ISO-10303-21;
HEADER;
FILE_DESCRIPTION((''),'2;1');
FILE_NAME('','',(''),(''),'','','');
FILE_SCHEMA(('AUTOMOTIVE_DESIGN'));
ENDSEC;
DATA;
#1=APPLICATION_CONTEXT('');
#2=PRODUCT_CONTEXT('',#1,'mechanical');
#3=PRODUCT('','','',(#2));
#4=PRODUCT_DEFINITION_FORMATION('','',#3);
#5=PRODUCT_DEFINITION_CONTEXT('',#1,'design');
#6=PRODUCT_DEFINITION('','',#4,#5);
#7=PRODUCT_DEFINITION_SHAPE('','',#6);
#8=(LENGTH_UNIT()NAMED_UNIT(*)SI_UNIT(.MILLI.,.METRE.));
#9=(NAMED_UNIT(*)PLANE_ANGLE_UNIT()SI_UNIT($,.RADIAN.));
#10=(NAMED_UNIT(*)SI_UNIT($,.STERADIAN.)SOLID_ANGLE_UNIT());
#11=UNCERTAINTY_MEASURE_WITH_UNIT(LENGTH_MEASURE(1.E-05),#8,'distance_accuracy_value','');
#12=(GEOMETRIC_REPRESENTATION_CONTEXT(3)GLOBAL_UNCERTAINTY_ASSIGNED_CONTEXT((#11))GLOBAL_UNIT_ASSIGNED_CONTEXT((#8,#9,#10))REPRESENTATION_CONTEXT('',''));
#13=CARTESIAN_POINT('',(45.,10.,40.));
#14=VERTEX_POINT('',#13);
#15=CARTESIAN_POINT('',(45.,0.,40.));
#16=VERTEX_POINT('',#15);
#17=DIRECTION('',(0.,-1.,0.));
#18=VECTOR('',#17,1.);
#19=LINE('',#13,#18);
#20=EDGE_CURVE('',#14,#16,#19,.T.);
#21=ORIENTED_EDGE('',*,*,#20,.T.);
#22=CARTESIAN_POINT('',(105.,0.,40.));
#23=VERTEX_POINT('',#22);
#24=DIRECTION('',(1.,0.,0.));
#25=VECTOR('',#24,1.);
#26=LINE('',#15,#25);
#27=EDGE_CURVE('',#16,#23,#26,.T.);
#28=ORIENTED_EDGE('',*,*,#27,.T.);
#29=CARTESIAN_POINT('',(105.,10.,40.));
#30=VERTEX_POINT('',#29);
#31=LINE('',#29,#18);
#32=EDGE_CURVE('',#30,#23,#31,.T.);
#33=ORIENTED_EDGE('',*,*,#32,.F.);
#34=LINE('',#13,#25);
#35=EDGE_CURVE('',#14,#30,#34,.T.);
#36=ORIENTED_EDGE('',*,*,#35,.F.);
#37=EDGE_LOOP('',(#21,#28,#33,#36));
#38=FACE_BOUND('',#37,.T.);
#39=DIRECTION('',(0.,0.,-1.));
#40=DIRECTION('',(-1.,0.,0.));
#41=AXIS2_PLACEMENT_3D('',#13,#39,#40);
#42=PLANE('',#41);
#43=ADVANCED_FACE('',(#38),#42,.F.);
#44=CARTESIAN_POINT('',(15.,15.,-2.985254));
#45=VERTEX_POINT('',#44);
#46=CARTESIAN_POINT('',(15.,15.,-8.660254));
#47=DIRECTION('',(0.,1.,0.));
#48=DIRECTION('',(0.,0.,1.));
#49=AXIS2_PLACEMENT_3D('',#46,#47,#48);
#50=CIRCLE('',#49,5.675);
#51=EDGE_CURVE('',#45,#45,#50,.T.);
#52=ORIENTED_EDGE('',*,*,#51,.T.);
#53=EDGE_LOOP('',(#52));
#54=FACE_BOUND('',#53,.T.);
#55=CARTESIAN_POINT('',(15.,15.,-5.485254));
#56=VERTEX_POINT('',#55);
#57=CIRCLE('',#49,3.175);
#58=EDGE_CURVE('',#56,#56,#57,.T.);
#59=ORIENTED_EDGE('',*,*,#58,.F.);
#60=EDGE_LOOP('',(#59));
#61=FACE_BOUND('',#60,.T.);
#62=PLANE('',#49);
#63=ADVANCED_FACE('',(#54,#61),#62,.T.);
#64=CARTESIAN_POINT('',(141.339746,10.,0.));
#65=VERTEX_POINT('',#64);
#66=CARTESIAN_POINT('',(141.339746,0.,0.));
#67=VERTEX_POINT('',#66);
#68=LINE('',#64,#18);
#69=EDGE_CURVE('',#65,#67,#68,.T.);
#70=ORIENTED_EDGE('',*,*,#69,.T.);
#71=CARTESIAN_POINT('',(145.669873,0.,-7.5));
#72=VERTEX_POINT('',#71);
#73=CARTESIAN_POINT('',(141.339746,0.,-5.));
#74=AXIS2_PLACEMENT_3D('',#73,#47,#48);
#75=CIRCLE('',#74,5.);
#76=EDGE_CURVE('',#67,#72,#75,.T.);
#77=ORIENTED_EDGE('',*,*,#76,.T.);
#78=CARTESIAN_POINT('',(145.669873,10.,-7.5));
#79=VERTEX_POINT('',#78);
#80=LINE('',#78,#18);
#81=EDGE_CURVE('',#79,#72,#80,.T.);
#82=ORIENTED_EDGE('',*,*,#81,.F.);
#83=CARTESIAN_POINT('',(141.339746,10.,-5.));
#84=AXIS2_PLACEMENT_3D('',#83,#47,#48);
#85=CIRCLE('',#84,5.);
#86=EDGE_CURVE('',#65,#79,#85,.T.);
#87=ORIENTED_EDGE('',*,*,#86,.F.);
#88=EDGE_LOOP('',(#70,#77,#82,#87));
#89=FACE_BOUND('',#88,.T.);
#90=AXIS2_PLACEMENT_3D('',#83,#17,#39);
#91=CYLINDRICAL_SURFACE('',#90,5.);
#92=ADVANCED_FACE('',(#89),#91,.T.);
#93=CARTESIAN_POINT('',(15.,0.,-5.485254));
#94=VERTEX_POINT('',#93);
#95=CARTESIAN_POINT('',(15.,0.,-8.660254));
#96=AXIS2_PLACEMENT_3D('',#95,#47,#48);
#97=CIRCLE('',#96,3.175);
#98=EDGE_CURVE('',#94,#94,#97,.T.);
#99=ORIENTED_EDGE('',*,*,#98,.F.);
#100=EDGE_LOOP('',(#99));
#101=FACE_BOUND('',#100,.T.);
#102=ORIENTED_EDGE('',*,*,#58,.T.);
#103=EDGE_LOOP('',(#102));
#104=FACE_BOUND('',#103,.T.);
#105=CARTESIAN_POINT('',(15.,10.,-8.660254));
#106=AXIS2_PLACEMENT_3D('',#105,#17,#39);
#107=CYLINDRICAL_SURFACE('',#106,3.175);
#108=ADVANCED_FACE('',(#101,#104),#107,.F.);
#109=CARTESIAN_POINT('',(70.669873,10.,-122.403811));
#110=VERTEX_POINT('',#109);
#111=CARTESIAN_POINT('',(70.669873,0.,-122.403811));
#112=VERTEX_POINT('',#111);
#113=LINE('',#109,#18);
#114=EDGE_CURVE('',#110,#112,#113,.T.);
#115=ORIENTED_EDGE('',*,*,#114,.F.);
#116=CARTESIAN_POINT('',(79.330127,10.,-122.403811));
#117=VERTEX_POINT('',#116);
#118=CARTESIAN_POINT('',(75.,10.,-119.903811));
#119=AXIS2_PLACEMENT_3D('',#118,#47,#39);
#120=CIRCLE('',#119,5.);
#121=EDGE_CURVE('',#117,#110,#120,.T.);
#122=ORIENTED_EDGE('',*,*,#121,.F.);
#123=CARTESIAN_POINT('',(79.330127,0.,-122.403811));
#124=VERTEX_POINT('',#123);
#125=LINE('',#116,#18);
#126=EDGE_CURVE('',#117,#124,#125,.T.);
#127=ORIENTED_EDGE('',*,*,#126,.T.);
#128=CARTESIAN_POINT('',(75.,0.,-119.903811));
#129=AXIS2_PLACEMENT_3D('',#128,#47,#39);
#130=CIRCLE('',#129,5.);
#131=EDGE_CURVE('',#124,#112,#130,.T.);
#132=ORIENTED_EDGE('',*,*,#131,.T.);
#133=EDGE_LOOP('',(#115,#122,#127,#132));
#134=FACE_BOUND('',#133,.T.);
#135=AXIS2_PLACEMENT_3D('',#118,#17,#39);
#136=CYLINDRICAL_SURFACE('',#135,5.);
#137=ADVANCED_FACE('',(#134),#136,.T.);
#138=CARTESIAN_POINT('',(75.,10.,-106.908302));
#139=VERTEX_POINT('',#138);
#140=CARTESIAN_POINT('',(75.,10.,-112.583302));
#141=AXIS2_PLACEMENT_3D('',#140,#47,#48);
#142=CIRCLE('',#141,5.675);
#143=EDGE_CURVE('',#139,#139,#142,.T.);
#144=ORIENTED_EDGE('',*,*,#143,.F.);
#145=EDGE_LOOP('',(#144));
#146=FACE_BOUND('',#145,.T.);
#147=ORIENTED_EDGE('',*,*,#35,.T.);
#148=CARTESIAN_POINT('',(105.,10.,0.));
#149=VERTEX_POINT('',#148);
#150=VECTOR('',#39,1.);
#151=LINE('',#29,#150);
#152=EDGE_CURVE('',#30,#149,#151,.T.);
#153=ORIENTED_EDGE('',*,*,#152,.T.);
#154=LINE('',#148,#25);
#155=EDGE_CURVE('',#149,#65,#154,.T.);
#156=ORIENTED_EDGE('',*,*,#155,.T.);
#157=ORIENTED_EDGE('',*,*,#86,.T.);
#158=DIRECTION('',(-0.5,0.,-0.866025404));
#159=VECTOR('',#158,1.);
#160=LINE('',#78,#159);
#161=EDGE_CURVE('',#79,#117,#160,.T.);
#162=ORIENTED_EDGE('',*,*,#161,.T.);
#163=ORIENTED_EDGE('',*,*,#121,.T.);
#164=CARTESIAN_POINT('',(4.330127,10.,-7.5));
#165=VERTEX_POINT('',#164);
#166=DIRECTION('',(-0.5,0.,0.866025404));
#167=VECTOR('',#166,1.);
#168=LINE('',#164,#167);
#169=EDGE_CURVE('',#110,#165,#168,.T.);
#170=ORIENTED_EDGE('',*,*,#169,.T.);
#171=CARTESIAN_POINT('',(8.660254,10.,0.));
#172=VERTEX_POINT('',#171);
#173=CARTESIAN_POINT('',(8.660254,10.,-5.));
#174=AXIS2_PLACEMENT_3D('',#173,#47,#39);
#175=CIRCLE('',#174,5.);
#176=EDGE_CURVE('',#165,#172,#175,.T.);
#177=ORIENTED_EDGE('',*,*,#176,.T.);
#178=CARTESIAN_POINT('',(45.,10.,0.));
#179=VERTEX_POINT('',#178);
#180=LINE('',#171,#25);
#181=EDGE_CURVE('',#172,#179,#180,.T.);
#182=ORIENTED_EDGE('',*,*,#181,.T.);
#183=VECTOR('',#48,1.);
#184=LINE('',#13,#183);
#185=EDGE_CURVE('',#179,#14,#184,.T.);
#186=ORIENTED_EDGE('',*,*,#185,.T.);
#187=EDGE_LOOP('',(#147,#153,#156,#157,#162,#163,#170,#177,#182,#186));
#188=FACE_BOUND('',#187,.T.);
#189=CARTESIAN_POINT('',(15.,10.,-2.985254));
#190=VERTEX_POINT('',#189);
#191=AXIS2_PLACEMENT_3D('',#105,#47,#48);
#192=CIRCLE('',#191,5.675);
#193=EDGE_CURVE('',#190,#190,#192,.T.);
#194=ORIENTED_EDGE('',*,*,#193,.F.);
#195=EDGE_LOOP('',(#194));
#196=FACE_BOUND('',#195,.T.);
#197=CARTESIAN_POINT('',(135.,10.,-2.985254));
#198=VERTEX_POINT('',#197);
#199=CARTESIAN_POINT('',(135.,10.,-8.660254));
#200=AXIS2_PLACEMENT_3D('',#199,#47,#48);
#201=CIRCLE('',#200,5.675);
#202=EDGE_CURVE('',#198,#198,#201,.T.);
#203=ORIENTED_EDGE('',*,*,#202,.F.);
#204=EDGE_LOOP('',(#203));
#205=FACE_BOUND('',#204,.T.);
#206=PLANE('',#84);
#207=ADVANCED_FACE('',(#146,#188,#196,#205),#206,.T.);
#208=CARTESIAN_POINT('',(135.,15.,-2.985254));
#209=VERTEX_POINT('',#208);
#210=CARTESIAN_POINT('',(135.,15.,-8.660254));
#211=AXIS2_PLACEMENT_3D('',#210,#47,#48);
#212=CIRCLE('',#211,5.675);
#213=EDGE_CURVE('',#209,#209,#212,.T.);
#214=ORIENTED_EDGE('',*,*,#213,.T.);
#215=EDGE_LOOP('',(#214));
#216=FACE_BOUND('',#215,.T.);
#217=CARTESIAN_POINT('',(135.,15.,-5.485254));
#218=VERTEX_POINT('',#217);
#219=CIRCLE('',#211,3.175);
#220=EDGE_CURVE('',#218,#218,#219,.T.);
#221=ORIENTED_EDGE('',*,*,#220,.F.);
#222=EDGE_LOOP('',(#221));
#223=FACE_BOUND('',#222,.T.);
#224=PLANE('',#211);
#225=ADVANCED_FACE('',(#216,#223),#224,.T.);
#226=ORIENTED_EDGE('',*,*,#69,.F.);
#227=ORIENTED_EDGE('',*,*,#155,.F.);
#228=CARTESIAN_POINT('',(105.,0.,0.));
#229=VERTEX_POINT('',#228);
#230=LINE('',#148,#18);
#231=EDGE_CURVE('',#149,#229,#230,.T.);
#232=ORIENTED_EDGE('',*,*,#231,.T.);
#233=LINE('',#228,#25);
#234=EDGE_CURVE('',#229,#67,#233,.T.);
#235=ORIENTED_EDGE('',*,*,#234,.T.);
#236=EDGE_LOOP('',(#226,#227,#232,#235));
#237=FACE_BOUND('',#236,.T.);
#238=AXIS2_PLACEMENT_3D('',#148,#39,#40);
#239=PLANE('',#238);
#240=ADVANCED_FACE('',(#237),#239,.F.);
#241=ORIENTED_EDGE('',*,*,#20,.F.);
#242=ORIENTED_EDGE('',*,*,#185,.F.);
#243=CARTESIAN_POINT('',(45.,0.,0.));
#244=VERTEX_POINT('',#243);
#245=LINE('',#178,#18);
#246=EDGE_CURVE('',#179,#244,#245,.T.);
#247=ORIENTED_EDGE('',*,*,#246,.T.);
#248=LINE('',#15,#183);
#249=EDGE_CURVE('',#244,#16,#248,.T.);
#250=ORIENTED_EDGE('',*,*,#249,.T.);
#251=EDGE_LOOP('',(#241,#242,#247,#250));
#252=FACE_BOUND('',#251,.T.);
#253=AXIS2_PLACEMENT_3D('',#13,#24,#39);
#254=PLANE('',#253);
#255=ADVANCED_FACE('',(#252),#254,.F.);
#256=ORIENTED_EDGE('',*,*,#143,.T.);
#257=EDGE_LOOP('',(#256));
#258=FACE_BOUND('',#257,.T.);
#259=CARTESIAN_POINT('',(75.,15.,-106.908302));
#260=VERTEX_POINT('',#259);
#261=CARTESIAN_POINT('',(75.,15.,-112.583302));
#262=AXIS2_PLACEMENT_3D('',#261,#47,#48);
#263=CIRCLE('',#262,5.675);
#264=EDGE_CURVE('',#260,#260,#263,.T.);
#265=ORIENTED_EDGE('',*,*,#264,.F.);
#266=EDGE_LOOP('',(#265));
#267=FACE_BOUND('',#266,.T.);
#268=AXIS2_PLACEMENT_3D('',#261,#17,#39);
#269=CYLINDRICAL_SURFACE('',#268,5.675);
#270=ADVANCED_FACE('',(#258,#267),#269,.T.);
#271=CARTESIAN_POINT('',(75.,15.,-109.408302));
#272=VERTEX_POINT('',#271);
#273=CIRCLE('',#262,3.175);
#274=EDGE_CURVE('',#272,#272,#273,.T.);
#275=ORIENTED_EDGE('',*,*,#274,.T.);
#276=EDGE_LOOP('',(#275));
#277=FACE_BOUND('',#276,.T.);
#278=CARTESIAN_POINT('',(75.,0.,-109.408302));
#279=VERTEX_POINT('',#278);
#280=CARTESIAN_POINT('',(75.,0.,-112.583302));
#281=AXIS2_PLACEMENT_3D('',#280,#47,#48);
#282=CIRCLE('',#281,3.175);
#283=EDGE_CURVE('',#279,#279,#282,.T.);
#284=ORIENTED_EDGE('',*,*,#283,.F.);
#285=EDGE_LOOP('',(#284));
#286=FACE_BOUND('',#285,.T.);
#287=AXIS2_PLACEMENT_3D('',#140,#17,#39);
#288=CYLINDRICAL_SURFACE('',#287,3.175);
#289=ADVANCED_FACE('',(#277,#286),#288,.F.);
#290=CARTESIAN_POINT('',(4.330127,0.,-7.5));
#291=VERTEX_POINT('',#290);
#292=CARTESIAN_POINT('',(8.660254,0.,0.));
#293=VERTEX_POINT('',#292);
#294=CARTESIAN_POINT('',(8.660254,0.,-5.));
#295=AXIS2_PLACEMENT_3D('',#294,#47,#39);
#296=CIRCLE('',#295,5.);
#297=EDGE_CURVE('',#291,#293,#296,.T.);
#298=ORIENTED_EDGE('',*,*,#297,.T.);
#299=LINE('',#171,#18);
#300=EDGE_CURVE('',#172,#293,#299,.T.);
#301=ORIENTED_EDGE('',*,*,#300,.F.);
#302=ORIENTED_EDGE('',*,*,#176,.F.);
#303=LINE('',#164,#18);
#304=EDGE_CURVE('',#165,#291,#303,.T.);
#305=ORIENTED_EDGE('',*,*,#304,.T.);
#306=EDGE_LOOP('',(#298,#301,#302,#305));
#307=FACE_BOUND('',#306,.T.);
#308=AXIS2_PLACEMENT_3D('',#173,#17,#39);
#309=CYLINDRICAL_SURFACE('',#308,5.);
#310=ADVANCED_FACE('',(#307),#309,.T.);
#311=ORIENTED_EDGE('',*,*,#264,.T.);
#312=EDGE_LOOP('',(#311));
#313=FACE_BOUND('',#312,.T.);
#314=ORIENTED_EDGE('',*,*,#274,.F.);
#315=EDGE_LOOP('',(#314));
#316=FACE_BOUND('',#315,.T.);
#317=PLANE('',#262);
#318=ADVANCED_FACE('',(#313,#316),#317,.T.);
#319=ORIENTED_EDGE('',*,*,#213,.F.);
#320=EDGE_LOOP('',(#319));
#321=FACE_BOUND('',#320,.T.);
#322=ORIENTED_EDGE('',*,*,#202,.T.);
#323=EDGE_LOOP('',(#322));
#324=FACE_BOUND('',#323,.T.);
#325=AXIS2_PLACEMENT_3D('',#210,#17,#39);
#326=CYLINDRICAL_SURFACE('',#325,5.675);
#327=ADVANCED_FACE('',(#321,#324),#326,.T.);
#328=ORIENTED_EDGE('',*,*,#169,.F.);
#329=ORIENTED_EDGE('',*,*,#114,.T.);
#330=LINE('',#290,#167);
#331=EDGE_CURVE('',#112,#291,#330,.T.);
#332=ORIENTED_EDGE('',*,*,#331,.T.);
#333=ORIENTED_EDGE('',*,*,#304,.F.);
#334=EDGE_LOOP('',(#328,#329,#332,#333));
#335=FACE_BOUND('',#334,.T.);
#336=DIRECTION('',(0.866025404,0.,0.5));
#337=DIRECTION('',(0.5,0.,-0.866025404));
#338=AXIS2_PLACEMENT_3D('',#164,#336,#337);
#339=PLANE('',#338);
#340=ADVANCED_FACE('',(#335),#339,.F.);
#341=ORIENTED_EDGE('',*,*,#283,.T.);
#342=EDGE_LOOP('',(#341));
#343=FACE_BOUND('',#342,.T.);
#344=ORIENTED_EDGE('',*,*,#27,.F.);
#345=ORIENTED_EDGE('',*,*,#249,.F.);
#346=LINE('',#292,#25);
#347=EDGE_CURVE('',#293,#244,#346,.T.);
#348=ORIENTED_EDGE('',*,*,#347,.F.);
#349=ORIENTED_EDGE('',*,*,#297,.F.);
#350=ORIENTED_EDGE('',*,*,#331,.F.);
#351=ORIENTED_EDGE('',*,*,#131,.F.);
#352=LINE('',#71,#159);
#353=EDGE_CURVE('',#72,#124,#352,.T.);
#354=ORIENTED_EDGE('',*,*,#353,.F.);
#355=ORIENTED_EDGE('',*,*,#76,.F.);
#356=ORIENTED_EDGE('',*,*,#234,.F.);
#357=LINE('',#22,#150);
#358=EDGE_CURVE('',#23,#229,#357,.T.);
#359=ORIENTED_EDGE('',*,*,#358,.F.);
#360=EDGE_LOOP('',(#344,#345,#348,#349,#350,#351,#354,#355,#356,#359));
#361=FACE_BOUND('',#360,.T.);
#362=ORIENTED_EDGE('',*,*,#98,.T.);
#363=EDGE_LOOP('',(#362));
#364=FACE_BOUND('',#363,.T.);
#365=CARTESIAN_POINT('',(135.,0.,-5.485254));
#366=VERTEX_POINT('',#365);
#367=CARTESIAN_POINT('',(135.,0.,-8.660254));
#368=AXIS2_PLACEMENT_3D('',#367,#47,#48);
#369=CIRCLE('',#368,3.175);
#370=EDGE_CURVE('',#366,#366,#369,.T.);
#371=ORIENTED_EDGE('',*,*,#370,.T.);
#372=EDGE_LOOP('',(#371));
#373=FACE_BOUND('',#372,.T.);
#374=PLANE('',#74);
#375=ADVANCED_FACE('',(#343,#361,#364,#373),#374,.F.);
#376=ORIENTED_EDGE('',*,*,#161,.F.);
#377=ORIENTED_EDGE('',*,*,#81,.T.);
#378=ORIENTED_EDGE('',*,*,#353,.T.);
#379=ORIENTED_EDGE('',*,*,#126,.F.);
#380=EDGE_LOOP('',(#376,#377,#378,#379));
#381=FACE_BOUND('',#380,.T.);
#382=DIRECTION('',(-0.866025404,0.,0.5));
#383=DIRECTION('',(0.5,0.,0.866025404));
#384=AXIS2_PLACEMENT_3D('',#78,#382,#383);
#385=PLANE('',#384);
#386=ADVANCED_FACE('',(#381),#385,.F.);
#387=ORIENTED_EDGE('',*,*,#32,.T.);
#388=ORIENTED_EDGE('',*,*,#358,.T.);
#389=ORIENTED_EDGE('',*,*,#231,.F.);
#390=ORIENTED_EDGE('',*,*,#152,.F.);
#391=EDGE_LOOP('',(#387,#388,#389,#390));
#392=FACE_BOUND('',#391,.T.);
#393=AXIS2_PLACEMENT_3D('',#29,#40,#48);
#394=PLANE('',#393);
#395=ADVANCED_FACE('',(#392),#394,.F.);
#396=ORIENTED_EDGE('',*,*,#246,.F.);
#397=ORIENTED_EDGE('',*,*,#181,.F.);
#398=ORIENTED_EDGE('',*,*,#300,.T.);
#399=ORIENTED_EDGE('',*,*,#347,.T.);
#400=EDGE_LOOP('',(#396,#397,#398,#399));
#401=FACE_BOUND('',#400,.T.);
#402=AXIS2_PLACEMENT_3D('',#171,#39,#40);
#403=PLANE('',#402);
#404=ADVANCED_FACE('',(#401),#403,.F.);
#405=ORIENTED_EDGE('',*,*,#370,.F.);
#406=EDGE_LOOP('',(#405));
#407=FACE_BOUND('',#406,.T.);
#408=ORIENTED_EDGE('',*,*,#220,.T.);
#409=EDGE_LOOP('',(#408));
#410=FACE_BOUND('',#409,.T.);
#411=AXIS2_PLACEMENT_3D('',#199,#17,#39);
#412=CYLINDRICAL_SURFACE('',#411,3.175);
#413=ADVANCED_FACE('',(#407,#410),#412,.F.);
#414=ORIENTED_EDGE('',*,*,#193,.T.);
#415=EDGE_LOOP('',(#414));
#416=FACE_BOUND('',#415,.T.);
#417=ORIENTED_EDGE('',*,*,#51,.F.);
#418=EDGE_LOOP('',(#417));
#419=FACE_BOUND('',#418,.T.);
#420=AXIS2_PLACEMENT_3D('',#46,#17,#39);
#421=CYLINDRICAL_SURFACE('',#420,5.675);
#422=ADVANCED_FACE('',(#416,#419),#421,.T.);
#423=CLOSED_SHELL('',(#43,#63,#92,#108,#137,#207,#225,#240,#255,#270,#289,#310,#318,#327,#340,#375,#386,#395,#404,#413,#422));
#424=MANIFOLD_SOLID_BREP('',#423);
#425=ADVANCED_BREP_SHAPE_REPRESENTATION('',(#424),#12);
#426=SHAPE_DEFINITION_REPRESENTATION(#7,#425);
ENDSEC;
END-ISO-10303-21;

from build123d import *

# Parameters (mm, degrees)
SKETCH1_R           = 3.175
BOSS_EXTRUDE5_DEPTH = 10
SKETCH7_R           = 5.675
SKETCH7_R_2         = 3.175
BOSS_EXTRUDE7_DEPTH = 5


with BuildPart() as part:
    # Sketch1 → Boss-Extrude5 (new body)
    with BuildSketch(Plane(origin=(0, 0, 0), x_dir=(1, 0, 0), z_dir=(0, 1, 0))):
        with BuildLine():
            Line((4.330127019, 7.5), (70.669872981, 122.403810568))
            ThreePointArc((70.669872981, 122.403810568), (75, 124.903810568), (79.330127019, 122.403810568))
            Line((79.330127019, 122.403810568), (145.669872981, 7.5))
            ThreePointArc((145.669872981, 7.5), (145.669873, 2.500000033), (141.339746038, 0))
            Line((141.339746038, 0), (105.000000038, 0))
            Line((105.000000038, 0), (105.000000038, -40))
            Line((105.000000038, -40), (45.000000038, -40))
            Line((45.000000038, -40), (45.000000038, 0))
            Line((45.000000038, 0), (8.660254038, 0))
            ThreePointArc((8.660254038, 0), (4.330127019, 2.5), (4.330127019, 7.5))
        make_face()
        with Locations(Location((75, 112.583302492, 0), (0, 0, 270))):
            Circle(SKETCH1_R, mode=Mode.SUBTRACT)
        with Locations(Location((15, 8.660254038, 0), (0, 0, 270))):
            Circle(SKETCH1_R, mode=Mode.SUBTRACT)
        with Locations(Location((135, 8.660254038, 0), (0, 0, 270))):
            Circle(SKETCH1_R, mode=Mode.SUBTRACT)
    extrude(amount=BOSS_EXTRUDE5_DEPTH)

    # Sketch7 → Boss-Extrude7 (add)
    # profile 1 of 3: a face of its own
    with BuildSketch(Plane(origin=(0, 10, 0), x_dir=(1, 0, 0), z_dir=(0, 1, 0))):
        with Locations(Location((15, 8.660254038, 0), (0, 0, 270))):
            Circle(SKETCH7_R)
        with Locations(Location((15, 8.660254038, 0), (0, 0, 270))):
            Circle(SKETCH7_R_2, mode=Mode.SUBTRACT)
    # profile 2 of 3: a face of its own
    with BuildSketch(Plane(origin=(0, 10, 0), x_dir=(1, 0, 0), z_dir=(0, 1, 0))):
        with Locations(Location((135, 8.660254038, 0), (0, 0, 270))):
            Circle(SKETCH7_R)
        with Locations(Location((135, 8.660254038, 0), (0, 0, 270))):
            Circle(SKETCH7_R_2, mode=Mode.SUBTRACT)
    # profile 3 of 3: a face of its own
    with BuildSketch(Plane(origin=(0, 10, 0), x_dir=(1, 0, 0), z_dir=(0, 1, 0))):
        with Locations(Location((75, 112.583302492, 0), (0, 0, 270))):
            Circle(SKETCH7_R)
        with Locations(Location((75, 112.583302492, 0), (0, 0, 270))):
            Circle(SKETCH7_R_2, mode=Mode.SUBTRACT)
    extrude(amount=BOSS_EXTRUDE7_DEPTH)


solid = part.part
